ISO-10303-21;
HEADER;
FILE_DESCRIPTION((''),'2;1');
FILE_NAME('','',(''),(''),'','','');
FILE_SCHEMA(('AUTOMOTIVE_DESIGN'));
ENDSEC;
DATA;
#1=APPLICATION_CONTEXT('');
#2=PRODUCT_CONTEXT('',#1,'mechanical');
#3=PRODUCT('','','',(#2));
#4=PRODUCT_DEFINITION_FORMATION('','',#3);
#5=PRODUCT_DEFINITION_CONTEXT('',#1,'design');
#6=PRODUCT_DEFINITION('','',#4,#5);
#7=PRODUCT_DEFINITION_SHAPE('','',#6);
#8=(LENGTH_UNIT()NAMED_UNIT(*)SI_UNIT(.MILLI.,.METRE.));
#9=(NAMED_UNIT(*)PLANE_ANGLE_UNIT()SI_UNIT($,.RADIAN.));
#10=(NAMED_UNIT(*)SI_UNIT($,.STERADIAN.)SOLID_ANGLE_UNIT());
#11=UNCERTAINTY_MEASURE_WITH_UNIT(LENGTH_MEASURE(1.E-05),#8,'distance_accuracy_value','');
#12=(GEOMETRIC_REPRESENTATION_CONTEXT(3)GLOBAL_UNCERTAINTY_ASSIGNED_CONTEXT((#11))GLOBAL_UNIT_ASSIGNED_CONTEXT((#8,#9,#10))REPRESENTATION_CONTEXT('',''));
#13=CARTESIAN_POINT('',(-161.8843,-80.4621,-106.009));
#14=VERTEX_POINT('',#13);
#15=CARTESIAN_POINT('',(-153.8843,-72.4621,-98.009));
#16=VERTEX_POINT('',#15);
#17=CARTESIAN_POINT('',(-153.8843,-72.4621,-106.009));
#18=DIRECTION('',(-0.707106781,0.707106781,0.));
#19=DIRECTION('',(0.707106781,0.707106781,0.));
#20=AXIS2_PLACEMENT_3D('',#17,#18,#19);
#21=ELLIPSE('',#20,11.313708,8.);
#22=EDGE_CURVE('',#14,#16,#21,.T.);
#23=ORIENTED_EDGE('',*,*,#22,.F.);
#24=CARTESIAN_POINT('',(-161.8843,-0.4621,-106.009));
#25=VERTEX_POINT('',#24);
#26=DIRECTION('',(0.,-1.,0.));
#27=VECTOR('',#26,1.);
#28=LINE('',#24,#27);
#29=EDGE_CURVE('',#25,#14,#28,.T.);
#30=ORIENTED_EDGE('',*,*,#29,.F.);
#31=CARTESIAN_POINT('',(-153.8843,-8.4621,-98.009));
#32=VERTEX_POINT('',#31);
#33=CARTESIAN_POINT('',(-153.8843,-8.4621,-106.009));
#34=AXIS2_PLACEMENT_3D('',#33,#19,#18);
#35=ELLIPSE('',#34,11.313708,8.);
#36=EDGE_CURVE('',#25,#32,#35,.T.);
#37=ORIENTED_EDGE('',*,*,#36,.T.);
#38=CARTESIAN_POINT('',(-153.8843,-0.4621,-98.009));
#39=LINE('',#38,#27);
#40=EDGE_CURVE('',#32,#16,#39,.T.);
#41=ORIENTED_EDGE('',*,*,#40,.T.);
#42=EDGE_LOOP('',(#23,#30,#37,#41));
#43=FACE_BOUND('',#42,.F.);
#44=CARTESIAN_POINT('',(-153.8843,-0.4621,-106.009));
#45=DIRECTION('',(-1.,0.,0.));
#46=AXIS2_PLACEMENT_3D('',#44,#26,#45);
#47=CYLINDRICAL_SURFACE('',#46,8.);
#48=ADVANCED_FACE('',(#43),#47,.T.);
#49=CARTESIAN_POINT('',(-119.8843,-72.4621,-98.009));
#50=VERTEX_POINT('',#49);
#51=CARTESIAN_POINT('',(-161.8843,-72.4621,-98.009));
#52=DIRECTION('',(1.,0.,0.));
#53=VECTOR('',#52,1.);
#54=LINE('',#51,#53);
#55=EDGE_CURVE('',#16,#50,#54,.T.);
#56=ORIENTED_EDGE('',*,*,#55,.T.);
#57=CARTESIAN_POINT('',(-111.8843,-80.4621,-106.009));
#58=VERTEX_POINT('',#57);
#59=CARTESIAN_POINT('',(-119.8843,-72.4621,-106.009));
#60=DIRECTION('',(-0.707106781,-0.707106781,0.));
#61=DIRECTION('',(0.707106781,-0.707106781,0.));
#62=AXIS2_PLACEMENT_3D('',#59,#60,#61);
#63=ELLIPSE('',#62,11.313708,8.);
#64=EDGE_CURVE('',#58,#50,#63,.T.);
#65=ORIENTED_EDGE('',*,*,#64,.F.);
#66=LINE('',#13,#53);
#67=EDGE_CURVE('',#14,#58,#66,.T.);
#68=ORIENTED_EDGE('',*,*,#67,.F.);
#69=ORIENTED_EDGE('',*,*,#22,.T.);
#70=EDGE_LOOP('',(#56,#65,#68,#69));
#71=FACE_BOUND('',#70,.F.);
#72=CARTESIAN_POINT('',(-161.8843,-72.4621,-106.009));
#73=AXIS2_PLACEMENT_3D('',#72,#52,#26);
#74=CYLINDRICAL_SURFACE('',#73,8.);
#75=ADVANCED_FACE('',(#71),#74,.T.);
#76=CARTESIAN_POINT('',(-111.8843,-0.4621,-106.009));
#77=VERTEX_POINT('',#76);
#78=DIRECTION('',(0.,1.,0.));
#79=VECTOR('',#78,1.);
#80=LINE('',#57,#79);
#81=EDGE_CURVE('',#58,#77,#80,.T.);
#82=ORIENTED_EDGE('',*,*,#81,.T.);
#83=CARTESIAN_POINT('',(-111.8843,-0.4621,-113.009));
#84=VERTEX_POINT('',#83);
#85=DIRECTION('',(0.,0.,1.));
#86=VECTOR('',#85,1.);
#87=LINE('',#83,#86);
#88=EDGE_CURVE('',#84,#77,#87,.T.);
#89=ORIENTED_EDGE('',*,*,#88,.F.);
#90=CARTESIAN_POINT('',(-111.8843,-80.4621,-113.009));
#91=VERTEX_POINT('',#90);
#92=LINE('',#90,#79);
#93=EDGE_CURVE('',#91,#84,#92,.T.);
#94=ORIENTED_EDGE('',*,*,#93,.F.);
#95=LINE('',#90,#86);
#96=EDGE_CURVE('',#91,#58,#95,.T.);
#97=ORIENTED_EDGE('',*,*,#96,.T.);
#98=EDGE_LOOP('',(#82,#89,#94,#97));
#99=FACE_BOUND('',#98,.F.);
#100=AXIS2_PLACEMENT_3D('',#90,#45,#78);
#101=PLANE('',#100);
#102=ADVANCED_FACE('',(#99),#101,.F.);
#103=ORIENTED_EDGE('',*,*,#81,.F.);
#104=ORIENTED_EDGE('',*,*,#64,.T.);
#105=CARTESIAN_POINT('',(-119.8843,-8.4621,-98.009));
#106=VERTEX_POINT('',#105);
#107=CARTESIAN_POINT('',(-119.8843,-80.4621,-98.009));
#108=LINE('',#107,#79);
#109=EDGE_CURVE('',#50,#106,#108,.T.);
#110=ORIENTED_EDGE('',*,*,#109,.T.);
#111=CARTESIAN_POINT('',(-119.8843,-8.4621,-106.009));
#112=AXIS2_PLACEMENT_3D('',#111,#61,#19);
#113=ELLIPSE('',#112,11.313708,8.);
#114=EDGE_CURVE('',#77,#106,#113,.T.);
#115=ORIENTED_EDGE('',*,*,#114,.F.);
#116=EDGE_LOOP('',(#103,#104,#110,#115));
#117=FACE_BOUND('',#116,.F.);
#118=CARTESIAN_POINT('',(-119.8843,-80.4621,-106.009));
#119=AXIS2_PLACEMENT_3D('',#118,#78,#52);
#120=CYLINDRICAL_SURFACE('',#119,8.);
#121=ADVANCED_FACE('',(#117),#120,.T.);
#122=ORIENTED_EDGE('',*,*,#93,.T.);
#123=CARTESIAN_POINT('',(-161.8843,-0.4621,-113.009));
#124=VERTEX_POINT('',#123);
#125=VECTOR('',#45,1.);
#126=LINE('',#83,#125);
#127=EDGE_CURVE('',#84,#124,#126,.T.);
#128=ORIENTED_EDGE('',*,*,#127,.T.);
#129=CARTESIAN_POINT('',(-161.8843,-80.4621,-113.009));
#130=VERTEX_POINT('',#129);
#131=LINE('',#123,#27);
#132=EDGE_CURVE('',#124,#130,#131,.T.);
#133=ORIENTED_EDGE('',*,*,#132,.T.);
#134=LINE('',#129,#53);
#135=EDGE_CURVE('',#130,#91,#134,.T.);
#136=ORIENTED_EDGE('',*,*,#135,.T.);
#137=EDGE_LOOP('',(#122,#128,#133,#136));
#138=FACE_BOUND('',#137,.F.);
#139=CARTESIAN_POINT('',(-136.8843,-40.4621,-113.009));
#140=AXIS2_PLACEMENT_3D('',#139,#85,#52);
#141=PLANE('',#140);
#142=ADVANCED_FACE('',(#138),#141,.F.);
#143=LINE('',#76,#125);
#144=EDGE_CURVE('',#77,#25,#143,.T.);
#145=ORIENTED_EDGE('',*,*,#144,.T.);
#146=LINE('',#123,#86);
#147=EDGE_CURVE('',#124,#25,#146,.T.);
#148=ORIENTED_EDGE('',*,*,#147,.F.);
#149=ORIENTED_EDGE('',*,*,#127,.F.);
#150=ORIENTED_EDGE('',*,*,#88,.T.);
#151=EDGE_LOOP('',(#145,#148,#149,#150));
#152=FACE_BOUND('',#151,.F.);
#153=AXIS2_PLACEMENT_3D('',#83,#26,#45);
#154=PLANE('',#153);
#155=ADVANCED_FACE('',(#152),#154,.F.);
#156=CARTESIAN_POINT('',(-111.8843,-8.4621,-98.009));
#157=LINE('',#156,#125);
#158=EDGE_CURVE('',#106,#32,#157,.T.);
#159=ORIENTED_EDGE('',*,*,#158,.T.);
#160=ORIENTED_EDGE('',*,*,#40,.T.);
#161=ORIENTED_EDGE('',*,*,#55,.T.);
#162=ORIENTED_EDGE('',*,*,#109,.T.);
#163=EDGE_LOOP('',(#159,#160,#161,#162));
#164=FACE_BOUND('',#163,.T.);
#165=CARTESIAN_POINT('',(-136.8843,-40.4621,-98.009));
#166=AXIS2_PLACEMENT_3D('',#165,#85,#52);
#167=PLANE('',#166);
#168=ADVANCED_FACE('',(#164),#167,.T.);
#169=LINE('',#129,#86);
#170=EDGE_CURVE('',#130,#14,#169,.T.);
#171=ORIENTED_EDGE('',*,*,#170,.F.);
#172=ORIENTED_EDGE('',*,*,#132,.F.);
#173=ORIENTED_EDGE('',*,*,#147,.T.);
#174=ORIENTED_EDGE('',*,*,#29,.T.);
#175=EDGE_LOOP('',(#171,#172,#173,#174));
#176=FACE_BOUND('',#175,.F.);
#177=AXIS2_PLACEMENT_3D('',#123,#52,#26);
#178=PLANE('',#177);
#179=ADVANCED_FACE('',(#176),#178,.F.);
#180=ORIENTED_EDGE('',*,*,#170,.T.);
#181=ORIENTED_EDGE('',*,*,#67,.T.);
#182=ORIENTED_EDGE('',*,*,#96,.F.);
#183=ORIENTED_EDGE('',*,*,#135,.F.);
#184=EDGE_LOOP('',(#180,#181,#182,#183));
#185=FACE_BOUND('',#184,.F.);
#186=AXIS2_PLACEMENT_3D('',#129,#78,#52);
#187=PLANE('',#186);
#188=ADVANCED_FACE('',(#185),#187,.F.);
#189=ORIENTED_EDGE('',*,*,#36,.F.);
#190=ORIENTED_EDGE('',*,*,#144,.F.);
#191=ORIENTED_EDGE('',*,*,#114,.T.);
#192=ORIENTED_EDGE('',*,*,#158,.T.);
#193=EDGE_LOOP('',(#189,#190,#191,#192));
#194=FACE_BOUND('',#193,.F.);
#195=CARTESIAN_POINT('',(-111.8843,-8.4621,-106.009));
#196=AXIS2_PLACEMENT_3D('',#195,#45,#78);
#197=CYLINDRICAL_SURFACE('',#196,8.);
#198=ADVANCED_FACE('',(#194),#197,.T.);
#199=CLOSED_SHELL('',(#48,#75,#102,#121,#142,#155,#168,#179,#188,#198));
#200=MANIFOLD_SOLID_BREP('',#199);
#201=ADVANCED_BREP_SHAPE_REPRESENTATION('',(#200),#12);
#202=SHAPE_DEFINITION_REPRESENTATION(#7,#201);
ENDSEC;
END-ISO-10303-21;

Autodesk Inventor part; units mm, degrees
ref_plane "YZ Plane" through (0, 0, 0) normal (1, 0, 0) x (0, 1, 0)
ref_plane "XZ Plane" through (0, 0, 0) normal (0, 1, 0) x (-1, 0, 0)
ref_plane "XY Plane" through (0, 0, 0) normal (0, 0, 1) x (1, 0, 0)
ref_plane "Work Plane1" through (-136.8843, -40.4621, -113.009) normal (0, 0, 1) x (1, 0, 0)
sketch "Sketch1" plane through (-136.8843, -40.4621, -113.009) normal (0, 0, 1) x (1, 0, 0)
  line L0 (-25, -40) -> (25, -40)
  line L1 (25, -40) -> (25, 40)
  line L2 (25, 40) -> (-25, 40)
  line L3 (-25, 40) -> (-25, -40)
  line L4 (-25, -40) -> (25, 40) construction
  line L5 (25, -40) -> (-25, 40) construction
  point P0 (136.8843, 40.4621)
  point P1 (0, 0)
  dimension "d0" = 50
  dimension "d1" = 80
extrude "Extrusion1" add sketch "Sketch1" along normal blind 15
fillet "Fillet1" radius 8 4 edges at (-136.8843, -80.4621, -98.009) (-111.8843, -40.4621, -98.009) (-136.8843, -0.4621, -98.009) (-161.8843, -40.4621, -98.009)
properties part number "rubber padding"
